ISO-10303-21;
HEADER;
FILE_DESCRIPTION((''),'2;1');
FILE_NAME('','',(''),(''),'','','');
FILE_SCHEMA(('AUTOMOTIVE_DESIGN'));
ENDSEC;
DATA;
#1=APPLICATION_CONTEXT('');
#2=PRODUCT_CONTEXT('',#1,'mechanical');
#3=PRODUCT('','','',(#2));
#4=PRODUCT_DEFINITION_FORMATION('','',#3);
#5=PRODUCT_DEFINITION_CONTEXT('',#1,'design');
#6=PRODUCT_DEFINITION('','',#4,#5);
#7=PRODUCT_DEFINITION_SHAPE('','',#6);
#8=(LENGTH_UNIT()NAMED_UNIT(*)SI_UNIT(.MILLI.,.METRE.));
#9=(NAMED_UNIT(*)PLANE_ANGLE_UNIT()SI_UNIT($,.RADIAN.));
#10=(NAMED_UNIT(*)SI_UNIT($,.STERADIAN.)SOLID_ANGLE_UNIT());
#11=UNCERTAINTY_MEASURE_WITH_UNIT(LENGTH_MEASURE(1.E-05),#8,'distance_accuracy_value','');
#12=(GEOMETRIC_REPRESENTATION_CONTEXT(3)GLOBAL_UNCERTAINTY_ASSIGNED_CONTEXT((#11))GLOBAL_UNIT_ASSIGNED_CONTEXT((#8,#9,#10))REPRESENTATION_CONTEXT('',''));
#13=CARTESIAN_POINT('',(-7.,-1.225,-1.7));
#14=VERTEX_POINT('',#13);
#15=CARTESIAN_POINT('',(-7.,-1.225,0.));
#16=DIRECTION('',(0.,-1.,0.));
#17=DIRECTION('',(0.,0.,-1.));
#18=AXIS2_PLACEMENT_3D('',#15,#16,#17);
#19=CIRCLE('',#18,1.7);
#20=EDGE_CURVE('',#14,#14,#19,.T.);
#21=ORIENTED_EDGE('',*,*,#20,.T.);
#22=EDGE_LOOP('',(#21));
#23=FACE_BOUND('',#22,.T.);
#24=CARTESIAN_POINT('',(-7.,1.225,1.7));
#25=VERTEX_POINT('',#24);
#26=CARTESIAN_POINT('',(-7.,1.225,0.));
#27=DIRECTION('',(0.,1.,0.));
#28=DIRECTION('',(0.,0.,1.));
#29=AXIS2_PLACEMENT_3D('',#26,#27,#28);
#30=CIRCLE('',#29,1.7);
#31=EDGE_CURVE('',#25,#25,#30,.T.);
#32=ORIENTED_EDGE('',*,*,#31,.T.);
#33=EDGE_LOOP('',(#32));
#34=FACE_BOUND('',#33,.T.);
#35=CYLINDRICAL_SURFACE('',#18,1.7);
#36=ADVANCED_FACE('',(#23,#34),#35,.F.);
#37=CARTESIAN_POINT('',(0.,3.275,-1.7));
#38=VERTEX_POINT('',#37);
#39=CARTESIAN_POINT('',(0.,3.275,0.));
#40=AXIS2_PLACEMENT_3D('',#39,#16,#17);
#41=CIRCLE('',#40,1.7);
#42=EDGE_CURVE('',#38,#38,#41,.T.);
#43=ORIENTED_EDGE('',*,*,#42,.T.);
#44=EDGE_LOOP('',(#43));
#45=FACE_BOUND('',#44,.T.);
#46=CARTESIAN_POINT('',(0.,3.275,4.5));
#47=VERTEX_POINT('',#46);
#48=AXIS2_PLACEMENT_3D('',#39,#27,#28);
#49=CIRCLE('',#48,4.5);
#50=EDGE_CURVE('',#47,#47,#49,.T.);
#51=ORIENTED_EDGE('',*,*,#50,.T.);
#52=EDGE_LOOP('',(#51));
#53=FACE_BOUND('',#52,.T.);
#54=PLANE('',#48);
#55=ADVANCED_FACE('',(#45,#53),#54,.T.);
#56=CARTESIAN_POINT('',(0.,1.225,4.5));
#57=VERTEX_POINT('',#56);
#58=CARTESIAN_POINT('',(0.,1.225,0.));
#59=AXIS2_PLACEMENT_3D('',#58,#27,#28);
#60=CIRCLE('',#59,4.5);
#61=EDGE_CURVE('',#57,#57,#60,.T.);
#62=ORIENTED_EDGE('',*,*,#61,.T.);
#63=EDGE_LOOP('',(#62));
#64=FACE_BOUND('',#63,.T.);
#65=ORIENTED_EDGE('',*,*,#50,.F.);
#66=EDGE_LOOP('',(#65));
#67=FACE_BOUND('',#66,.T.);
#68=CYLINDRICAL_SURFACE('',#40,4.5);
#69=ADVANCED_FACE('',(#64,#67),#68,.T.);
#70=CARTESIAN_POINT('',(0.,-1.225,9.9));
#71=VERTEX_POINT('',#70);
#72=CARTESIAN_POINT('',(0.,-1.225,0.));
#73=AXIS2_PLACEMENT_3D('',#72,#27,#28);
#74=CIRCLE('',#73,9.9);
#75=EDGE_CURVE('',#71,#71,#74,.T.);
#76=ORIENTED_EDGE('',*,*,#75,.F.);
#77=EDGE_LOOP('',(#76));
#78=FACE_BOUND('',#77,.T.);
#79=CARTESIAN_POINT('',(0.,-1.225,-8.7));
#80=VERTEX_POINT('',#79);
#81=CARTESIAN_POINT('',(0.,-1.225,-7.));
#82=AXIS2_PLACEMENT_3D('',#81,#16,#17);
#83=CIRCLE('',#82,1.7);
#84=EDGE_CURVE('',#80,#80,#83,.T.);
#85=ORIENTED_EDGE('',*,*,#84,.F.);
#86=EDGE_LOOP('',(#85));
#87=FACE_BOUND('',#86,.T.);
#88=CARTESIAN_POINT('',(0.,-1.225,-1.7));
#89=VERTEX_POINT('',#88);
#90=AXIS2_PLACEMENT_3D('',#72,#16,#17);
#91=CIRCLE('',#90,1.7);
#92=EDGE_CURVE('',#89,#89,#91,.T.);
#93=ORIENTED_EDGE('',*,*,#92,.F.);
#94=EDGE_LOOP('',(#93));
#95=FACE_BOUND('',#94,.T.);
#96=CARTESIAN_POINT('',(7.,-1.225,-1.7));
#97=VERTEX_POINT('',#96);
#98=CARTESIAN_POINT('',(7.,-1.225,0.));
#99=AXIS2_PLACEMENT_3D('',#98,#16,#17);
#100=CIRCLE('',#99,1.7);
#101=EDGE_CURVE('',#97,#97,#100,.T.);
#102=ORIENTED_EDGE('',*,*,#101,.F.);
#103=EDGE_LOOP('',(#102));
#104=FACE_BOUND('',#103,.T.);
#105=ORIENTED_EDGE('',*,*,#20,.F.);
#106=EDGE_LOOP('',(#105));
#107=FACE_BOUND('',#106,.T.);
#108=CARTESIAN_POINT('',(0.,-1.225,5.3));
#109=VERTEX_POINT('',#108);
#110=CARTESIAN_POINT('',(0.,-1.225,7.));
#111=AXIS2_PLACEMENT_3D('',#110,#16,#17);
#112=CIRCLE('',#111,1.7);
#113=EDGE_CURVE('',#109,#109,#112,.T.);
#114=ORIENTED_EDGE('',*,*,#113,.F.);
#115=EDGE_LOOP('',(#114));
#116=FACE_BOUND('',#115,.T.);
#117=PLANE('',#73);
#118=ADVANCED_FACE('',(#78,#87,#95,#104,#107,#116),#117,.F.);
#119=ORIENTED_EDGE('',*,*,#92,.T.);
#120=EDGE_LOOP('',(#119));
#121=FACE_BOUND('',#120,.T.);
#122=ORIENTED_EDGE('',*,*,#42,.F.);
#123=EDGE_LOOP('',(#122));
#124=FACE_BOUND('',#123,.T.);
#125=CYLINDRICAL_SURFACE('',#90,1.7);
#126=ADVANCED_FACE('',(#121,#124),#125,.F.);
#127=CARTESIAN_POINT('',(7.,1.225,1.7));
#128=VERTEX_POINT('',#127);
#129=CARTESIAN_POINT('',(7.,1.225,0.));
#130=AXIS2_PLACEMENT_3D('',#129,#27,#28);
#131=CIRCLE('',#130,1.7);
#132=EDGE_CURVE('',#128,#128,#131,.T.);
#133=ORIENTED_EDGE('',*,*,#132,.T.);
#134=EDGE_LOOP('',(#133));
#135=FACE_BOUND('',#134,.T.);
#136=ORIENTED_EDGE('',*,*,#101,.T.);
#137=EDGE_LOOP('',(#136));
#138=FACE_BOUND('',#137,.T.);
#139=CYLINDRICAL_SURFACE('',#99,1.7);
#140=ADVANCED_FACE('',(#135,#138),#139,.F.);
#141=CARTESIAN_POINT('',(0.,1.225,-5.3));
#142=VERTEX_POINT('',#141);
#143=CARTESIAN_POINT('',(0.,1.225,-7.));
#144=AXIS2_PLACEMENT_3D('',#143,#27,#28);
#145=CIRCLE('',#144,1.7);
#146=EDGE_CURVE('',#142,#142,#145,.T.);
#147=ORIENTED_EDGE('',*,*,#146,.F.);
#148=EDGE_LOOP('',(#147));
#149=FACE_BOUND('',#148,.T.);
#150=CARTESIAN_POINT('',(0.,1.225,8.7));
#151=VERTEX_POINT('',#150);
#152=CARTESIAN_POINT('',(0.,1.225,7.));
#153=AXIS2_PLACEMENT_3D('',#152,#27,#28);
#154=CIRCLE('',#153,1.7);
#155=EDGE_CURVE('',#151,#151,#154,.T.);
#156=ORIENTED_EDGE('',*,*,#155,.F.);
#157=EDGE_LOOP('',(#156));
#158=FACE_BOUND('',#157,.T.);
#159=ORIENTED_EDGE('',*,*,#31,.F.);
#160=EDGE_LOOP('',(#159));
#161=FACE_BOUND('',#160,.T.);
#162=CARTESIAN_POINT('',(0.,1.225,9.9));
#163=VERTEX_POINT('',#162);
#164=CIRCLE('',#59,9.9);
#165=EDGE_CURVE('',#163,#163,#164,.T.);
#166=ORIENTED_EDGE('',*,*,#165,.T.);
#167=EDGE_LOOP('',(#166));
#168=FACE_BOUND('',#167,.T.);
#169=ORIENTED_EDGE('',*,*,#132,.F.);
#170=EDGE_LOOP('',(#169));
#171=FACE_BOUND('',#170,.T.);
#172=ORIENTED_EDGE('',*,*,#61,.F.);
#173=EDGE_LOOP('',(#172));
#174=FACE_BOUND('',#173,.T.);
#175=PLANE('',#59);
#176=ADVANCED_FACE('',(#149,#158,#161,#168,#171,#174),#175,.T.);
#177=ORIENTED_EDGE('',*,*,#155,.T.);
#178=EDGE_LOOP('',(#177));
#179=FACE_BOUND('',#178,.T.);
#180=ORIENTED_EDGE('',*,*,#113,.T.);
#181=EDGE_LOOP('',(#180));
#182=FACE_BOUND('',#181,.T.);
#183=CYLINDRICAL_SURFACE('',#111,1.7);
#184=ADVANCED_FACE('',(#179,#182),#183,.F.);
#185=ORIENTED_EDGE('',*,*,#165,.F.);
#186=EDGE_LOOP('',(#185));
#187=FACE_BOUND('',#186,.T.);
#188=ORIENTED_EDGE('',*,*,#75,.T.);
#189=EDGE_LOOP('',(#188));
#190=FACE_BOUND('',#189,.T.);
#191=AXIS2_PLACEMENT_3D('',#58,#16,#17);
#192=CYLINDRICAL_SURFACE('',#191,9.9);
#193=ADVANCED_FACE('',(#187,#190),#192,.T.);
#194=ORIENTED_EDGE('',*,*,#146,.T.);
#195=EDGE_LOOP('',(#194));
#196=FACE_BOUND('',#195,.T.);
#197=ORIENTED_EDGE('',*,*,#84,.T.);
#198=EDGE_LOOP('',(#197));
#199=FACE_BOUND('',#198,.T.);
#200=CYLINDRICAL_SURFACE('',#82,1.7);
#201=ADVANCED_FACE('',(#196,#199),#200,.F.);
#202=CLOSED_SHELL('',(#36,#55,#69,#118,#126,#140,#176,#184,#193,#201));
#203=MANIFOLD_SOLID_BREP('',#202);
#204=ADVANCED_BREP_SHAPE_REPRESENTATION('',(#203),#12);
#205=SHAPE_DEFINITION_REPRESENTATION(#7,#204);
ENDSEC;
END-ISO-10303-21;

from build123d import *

# Parameters (mm, degrees)
SKETCH2_R            = 9.9
BOSS_EXTRUDE1_DEPTH  = 1.225
SKETCH3_R            = 4.5
BOSS_EXTRUDE2_DEPTH  = 2.05
M3_CLEARANCE_HOLE1_D = 3.4


with BuildPart() as part:
    # Sketch2 → Boss-Extrude1 (new body, symmetric)
    with BuildSketch(Plane(origin=(0, 0, 0), x_dir=(1, 0, 0), z_dir=(0, 1, 0))):
        Circle(SKETCH2_R)
    extrude(amount=BOSS_EXTRUDE1_DEPTH, both=True)

    # Sketch3 → Boss-Extrude2 (add)
    with BuildSketch(Plane(origin=(0, 1.225, 0), x_dir=(1, 0, 0), z_dir=(0, 1, 0))):
        Circle(SKETCH3_R)
    extrude(amount=BOSS_EXTRUDE2_DEPTH)

    # M3 Clearance Hole1 (through all)
    with Locations(Plane(origin=(0, -1.225, 0), x_dir=(-1, 0, 0), z_dir=(0, -1, 0))):
        with Locations((0, 0), (0, 7), (7, 0), (0, -7), (-7, 0)):
            Hole(M3_CLEARANCE_HOLE1_D / 2)


solid = part.part
